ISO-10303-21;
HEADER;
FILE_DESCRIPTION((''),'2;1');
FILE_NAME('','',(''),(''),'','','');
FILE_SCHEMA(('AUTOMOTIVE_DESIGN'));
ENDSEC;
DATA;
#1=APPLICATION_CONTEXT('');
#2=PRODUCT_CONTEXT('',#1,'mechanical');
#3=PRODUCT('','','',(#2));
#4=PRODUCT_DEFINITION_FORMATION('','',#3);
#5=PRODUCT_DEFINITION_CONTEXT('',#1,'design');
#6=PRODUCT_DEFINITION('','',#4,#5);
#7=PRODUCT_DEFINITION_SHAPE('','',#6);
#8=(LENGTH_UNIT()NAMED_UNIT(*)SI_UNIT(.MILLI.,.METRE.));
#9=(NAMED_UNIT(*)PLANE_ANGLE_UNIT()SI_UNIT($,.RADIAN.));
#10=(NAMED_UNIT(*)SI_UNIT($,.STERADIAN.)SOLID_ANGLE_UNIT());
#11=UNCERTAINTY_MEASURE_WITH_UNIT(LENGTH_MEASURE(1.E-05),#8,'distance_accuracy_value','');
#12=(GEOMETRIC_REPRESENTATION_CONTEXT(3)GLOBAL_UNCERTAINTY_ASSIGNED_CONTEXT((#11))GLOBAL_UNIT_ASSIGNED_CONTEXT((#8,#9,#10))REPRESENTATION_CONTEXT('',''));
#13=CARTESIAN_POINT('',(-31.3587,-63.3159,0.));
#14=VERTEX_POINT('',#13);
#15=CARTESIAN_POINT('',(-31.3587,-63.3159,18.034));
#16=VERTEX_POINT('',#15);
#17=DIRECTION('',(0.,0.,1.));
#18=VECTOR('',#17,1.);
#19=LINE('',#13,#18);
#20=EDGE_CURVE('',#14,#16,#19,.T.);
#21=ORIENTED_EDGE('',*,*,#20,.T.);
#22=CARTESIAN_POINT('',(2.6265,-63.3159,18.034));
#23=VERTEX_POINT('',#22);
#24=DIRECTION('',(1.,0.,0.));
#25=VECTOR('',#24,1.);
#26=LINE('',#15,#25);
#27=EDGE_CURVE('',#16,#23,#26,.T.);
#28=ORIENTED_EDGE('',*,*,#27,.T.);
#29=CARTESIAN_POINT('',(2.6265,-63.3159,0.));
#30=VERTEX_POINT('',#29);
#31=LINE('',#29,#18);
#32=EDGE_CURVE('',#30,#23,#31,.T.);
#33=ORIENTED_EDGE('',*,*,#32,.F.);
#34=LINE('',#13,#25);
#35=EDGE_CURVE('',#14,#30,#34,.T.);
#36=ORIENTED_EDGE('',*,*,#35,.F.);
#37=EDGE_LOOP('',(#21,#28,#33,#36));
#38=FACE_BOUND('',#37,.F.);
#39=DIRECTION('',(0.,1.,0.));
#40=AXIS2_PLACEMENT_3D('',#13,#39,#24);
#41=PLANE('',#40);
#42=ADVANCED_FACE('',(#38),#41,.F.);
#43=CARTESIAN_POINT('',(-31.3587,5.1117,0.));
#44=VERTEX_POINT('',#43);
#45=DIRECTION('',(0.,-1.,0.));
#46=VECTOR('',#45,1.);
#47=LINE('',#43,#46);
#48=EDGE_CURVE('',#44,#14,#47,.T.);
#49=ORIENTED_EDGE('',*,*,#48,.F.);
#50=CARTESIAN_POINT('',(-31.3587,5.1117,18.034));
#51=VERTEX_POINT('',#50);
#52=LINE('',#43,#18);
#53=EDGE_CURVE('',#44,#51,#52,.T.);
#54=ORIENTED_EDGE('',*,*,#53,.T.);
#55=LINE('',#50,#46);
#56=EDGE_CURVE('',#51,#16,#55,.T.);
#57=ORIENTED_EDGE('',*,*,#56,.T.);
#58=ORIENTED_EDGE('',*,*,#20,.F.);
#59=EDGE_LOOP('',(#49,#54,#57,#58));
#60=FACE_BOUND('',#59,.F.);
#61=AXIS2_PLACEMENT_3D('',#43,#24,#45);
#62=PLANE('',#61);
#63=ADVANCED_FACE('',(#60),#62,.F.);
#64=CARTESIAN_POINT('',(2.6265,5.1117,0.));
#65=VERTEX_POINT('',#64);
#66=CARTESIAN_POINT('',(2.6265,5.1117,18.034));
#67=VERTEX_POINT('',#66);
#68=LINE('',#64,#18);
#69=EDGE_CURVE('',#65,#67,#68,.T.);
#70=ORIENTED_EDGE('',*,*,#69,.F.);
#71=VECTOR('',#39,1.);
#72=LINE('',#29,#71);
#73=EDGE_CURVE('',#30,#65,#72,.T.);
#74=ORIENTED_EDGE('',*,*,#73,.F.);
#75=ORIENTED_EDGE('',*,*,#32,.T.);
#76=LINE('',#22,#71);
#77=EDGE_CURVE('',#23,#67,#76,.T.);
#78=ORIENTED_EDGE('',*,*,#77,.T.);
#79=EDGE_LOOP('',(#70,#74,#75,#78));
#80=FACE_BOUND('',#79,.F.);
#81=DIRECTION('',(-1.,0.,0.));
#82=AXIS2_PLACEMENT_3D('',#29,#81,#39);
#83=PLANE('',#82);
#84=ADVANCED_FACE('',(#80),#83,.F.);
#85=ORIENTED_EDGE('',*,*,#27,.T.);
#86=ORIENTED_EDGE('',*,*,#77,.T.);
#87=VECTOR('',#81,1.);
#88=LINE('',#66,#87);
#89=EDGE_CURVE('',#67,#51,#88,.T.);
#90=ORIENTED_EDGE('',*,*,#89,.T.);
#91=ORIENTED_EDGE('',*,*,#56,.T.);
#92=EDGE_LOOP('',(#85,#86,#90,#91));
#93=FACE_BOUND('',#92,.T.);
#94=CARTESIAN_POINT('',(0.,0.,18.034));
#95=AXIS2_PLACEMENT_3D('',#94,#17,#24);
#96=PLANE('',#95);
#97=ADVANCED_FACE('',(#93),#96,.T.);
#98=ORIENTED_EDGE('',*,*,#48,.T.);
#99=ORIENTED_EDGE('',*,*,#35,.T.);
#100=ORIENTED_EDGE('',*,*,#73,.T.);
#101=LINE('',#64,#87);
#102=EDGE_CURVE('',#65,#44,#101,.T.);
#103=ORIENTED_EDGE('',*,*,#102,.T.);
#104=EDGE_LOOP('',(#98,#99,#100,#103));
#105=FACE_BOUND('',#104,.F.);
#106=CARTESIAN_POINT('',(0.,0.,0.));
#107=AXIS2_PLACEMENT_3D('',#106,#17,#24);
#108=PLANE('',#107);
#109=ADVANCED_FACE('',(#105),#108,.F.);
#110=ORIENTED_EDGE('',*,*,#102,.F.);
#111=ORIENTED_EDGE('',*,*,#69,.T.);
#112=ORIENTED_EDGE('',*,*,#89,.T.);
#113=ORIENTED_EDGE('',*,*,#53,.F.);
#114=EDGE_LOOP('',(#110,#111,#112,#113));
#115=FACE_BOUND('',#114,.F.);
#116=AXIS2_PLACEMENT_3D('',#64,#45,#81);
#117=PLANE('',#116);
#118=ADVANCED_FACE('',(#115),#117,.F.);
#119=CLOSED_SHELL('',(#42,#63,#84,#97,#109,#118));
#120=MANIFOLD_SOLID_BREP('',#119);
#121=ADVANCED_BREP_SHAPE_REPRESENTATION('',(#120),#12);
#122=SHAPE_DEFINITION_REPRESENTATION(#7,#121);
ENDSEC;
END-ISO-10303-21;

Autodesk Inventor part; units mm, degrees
ref_plane "YZ Plane" through (0, 0, 0) normal (1, 0, 0) x (0, 1, 0)
ref_plane "XZ Plane" through (0, 0, 0) normal (0, 1, 0) x (-1, 0, 0)
ref_plane "XY Plane" through (0, 0, 0) normal (0, 0, 1) x (1, 0, 0)
sketch "Sketch1" plane through (0, 0, 0) normal (0, 0, 1) x (1, 0, 0)
  line L0 (2.6265, 5.1117) -> (-31.3587, 5.1117)
  line L1 (-31.3587, 5.1117) -> (-31.3587, -63.3159)
  line L2 (-31.3587, -63.3159) -> (2.6265, -63.3159)
  line L3 (2.6265, -63.3159) -> (2.6265, 5.1117)
  point P0 (0, 0)
  dimension "d0" = 68.4276
  dimension "d1" = 33.9852
extrude "Extrusion1" add sketch "Sketch1" along normal blind 18.034
properties part number "RTS Battery Pack"
